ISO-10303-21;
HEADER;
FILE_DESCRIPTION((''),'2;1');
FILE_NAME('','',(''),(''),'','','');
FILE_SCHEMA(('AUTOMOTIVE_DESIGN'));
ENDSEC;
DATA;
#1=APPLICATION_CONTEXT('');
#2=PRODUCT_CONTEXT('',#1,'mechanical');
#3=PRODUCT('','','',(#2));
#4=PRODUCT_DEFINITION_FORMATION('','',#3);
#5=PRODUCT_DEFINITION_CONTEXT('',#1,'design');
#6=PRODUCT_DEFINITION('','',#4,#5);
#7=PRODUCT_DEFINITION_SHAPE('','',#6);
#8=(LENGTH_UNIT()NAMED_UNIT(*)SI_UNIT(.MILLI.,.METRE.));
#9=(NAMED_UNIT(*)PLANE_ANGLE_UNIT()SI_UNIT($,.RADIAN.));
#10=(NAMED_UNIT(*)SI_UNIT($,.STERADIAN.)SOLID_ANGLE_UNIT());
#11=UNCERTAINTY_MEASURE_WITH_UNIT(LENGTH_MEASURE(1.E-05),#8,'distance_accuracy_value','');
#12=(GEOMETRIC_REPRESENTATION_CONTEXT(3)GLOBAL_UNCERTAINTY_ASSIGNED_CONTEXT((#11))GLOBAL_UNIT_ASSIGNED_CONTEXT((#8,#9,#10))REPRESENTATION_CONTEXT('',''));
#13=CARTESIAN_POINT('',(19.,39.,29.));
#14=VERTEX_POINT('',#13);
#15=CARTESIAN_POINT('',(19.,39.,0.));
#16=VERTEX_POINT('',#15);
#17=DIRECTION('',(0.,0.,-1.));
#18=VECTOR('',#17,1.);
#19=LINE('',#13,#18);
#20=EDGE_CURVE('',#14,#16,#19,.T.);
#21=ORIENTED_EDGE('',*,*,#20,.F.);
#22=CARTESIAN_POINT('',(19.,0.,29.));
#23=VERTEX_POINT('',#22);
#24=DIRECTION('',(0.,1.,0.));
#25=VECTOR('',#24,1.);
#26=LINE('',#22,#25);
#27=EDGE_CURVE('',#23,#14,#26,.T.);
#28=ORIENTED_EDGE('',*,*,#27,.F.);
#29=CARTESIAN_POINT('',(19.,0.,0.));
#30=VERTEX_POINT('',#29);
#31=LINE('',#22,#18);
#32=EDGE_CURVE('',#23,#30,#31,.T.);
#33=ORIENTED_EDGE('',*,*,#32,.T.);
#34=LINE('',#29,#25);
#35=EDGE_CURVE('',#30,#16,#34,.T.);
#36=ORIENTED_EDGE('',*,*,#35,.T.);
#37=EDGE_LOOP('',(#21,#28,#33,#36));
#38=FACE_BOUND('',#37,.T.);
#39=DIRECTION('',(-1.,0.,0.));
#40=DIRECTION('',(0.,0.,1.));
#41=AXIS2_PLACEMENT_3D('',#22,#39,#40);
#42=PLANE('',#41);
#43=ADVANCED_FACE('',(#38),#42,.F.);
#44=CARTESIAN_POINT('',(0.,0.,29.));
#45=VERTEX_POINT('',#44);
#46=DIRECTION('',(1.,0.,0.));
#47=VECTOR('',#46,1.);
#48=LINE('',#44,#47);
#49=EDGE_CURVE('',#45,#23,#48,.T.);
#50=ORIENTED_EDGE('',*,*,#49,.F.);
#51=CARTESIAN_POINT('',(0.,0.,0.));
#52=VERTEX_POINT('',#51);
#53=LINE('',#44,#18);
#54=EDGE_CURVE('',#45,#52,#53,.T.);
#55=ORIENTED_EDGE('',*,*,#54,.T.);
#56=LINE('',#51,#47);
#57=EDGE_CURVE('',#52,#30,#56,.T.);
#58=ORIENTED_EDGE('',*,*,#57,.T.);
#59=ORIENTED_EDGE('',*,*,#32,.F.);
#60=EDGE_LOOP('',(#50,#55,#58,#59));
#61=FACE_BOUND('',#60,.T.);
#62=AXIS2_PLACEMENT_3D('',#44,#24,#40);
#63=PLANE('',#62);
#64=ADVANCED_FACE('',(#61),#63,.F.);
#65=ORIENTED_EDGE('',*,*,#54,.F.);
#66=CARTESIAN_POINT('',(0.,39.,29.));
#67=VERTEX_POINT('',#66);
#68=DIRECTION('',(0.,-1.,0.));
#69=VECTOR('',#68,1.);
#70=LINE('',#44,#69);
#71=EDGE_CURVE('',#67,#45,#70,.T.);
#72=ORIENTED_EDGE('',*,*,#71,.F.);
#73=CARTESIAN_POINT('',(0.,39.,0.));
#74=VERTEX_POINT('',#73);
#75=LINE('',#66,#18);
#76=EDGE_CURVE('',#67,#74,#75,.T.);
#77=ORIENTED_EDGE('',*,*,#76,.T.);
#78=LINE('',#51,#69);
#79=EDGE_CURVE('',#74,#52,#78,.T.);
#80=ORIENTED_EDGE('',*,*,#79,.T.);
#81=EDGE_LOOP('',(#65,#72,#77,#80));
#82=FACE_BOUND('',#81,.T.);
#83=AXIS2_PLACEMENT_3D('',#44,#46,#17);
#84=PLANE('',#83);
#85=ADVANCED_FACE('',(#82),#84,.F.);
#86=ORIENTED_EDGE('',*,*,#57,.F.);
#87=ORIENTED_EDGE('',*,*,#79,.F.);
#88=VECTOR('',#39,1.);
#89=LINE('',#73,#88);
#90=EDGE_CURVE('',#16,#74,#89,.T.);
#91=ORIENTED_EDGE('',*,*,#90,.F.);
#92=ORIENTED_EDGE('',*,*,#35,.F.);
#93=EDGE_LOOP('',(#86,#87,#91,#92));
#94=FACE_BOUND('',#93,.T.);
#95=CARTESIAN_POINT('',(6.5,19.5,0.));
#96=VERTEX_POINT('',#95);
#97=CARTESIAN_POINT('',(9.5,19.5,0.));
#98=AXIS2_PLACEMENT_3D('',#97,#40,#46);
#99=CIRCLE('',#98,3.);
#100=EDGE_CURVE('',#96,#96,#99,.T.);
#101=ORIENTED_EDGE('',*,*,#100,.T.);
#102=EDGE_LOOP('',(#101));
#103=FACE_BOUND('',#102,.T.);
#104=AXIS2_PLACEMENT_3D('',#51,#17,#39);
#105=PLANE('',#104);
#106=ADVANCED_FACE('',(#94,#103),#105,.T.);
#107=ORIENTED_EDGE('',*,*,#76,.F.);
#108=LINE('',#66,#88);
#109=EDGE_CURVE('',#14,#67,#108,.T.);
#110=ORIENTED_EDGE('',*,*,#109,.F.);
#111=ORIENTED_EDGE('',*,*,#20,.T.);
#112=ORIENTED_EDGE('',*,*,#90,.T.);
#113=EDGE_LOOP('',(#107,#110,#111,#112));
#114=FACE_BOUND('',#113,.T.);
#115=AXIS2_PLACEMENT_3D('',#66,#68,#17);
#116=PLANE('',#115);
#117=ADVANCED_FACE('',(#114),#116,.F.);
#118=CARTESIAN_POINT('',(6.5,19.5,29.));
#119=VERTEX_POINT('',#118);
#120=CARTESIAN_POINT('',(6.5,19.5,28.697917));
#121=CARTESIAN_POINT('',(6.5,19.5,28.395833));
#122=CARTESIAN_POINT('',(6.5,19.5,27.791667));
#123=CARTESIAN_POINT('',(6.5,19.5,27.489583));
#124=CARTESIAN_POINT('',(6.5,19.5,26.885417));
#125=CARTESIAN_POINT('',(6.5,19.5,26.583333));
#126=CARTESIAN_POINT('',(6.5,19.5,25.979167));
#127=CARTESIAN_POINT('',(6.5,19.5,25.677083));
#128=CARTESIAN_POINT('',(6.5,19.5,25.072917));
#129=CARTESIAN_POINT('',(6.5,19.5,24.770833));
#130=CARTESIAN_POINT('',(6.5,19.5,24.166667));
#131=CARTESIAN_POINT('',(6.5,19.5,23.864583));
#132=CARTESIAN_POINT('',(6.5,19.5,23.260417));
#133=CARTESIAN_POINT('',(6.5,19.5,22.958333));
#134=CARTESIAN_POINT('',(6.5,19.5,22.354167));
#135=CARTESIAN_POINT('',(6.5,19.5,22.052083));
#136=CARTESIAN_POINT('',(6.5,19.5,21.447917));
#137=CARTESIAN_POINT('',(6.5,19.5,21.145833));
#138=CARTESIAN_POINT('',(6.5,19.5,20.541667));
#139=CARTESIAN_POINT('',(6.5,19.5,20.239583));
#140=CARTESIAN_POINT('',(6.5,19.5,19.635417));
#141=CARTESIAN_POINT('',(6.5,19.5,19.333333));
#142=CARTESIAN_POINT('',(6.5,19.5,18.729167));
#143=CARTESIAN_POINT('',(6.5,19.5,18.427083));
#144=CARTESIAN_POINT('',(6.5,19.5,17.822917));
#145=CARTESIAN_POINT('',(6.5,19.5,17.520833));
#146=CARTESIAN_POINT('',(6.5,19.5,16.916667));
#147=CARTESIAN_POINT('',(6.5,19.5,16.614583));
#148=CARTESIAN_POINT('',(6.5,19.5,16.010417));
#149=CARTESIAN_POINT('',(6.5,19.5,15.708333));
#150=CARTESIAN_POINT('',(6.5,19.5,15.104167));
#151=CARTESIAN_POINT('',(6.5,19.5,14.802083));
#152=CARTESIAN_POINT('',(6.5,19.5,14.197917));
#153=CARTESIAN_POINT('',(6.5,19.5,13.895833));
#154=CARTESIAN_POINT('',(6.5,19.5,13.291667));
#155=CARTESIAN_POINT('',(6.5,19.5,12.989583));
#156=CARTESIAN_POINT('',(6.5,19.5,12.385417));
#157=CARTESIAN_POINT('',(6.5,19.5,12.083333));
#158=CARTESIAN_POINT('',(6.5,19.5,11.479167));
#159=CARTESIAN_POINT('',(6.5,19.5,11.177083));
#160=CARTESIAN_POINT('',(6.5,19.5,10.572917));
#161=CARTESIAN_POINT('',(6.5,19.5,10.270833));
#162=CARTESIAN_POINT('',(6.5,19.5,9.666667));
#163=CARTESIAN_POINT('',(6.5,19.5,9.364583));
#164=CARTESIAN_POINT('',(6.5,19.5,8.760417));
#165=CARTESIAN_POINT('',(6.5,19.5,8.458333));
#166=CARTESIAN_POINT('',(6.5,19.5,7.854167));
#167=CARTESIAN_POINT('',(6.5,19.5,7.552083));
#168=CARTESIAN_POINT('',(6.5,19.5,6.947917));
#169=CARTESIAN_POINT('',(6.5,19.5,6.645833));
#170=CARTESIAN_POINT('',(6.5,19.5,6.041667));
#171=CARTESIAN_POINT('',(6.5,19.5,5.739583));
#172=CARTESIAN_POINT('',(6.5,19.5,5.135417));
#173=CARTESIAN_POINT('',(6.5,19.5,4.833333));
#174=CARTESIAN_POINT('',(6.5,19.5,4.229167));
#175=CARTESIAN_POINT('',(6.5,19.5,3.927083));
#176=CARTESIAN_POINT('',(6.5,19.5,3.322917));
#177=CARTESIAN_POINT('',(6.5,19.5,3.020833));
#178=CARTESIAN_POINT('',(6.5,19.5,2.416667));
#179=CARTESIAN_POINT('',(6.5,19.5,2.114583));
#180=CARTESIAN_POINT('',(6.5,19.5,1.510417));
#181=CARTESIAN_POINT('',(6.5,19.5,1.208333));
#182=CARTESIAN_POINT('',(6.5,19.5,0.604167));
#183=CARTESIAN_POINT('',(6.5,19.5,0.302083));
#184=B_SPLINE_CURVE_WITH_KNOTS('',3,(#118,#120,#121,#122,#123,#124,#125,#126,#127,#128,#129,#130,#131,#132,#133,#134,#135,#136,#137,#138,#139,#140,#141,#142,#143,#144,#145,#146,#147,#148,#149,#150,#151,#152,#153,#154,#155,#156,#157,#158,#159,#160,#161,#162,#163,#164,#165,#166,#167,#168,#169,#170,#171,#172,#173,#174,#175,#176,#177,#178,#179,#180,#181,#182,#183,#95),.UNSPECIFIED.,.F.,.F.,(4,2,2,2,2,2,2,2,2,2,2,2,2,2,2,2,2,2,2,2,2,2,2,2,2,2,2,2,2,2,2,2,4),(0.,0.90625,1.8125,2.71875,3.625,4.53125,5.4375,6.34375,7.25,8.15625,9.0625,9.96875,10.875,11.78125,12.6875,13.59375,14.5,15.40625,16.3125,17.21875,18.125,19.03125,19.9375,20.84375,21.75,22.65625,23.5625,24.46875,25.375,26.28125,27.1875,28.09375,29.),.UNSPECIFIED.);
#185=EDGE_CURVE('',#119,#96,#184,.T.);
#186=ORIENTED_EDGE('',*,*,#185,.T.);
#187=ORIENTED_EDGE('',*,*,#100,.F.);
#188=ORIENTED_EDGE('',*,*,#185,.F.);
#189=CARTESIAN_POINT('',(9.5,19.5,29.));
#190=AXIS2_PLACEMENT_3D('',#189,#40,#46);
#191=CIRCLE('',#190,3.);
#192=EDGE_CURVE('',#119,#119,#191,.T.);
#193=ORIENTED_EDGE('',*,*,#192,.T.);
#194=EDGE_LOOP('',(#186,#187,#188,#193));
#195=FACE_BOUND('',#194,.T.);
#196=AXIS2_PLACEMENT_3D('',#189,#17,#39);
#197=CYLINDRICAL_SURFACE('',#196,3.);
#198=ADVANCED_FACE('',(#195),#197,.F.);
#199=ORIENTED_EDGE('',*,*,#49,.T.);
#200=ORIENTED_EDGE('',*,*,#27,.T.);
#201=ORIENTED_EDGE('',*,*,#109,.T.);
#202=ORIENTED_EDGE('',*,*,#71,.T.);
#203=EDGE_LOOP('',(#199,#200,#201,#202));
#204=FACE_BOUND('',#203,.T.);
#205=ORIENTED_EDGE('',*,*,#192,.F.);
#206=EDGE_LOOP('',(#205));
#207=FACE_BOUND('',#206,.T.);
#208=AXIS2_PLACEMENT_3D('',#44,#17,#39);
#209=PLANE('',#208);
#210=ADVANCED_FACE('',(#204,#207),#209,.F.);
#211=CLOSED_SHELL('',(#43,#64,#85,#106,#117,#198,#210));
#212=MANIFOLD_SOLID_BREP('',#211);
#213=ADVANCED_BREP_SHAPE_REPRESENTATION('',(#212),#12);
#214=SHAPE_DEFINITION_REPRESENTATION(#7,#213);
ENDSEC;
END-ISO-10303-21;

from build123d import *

# Parameters (mm, degrees)
ESQUISSE1_W        = 19
ESQUISSE1_H        = 39
ESQUISSE1_R        = 3
BOSS_EXTRU_1_DEPTH = 29


with BuildPart() as part:
    # Esquisse1 → Boss.-Extru.1 (new body)
    with BuildSketch(Plane.XY):
        with Locations((9.5, 19.5)):
            Rectangle(ESQUISSE1_W, ESQUISSE1_H)
        with Locations(Location((9.5, 19.5, 0), (0, 0, 180))):
            Circle(ESQUISSE1_R, mode=Mode.SUBTRACT)
    extrude(amount=BOSS_EXTRU_1_DEPTH)


solid = part.part
